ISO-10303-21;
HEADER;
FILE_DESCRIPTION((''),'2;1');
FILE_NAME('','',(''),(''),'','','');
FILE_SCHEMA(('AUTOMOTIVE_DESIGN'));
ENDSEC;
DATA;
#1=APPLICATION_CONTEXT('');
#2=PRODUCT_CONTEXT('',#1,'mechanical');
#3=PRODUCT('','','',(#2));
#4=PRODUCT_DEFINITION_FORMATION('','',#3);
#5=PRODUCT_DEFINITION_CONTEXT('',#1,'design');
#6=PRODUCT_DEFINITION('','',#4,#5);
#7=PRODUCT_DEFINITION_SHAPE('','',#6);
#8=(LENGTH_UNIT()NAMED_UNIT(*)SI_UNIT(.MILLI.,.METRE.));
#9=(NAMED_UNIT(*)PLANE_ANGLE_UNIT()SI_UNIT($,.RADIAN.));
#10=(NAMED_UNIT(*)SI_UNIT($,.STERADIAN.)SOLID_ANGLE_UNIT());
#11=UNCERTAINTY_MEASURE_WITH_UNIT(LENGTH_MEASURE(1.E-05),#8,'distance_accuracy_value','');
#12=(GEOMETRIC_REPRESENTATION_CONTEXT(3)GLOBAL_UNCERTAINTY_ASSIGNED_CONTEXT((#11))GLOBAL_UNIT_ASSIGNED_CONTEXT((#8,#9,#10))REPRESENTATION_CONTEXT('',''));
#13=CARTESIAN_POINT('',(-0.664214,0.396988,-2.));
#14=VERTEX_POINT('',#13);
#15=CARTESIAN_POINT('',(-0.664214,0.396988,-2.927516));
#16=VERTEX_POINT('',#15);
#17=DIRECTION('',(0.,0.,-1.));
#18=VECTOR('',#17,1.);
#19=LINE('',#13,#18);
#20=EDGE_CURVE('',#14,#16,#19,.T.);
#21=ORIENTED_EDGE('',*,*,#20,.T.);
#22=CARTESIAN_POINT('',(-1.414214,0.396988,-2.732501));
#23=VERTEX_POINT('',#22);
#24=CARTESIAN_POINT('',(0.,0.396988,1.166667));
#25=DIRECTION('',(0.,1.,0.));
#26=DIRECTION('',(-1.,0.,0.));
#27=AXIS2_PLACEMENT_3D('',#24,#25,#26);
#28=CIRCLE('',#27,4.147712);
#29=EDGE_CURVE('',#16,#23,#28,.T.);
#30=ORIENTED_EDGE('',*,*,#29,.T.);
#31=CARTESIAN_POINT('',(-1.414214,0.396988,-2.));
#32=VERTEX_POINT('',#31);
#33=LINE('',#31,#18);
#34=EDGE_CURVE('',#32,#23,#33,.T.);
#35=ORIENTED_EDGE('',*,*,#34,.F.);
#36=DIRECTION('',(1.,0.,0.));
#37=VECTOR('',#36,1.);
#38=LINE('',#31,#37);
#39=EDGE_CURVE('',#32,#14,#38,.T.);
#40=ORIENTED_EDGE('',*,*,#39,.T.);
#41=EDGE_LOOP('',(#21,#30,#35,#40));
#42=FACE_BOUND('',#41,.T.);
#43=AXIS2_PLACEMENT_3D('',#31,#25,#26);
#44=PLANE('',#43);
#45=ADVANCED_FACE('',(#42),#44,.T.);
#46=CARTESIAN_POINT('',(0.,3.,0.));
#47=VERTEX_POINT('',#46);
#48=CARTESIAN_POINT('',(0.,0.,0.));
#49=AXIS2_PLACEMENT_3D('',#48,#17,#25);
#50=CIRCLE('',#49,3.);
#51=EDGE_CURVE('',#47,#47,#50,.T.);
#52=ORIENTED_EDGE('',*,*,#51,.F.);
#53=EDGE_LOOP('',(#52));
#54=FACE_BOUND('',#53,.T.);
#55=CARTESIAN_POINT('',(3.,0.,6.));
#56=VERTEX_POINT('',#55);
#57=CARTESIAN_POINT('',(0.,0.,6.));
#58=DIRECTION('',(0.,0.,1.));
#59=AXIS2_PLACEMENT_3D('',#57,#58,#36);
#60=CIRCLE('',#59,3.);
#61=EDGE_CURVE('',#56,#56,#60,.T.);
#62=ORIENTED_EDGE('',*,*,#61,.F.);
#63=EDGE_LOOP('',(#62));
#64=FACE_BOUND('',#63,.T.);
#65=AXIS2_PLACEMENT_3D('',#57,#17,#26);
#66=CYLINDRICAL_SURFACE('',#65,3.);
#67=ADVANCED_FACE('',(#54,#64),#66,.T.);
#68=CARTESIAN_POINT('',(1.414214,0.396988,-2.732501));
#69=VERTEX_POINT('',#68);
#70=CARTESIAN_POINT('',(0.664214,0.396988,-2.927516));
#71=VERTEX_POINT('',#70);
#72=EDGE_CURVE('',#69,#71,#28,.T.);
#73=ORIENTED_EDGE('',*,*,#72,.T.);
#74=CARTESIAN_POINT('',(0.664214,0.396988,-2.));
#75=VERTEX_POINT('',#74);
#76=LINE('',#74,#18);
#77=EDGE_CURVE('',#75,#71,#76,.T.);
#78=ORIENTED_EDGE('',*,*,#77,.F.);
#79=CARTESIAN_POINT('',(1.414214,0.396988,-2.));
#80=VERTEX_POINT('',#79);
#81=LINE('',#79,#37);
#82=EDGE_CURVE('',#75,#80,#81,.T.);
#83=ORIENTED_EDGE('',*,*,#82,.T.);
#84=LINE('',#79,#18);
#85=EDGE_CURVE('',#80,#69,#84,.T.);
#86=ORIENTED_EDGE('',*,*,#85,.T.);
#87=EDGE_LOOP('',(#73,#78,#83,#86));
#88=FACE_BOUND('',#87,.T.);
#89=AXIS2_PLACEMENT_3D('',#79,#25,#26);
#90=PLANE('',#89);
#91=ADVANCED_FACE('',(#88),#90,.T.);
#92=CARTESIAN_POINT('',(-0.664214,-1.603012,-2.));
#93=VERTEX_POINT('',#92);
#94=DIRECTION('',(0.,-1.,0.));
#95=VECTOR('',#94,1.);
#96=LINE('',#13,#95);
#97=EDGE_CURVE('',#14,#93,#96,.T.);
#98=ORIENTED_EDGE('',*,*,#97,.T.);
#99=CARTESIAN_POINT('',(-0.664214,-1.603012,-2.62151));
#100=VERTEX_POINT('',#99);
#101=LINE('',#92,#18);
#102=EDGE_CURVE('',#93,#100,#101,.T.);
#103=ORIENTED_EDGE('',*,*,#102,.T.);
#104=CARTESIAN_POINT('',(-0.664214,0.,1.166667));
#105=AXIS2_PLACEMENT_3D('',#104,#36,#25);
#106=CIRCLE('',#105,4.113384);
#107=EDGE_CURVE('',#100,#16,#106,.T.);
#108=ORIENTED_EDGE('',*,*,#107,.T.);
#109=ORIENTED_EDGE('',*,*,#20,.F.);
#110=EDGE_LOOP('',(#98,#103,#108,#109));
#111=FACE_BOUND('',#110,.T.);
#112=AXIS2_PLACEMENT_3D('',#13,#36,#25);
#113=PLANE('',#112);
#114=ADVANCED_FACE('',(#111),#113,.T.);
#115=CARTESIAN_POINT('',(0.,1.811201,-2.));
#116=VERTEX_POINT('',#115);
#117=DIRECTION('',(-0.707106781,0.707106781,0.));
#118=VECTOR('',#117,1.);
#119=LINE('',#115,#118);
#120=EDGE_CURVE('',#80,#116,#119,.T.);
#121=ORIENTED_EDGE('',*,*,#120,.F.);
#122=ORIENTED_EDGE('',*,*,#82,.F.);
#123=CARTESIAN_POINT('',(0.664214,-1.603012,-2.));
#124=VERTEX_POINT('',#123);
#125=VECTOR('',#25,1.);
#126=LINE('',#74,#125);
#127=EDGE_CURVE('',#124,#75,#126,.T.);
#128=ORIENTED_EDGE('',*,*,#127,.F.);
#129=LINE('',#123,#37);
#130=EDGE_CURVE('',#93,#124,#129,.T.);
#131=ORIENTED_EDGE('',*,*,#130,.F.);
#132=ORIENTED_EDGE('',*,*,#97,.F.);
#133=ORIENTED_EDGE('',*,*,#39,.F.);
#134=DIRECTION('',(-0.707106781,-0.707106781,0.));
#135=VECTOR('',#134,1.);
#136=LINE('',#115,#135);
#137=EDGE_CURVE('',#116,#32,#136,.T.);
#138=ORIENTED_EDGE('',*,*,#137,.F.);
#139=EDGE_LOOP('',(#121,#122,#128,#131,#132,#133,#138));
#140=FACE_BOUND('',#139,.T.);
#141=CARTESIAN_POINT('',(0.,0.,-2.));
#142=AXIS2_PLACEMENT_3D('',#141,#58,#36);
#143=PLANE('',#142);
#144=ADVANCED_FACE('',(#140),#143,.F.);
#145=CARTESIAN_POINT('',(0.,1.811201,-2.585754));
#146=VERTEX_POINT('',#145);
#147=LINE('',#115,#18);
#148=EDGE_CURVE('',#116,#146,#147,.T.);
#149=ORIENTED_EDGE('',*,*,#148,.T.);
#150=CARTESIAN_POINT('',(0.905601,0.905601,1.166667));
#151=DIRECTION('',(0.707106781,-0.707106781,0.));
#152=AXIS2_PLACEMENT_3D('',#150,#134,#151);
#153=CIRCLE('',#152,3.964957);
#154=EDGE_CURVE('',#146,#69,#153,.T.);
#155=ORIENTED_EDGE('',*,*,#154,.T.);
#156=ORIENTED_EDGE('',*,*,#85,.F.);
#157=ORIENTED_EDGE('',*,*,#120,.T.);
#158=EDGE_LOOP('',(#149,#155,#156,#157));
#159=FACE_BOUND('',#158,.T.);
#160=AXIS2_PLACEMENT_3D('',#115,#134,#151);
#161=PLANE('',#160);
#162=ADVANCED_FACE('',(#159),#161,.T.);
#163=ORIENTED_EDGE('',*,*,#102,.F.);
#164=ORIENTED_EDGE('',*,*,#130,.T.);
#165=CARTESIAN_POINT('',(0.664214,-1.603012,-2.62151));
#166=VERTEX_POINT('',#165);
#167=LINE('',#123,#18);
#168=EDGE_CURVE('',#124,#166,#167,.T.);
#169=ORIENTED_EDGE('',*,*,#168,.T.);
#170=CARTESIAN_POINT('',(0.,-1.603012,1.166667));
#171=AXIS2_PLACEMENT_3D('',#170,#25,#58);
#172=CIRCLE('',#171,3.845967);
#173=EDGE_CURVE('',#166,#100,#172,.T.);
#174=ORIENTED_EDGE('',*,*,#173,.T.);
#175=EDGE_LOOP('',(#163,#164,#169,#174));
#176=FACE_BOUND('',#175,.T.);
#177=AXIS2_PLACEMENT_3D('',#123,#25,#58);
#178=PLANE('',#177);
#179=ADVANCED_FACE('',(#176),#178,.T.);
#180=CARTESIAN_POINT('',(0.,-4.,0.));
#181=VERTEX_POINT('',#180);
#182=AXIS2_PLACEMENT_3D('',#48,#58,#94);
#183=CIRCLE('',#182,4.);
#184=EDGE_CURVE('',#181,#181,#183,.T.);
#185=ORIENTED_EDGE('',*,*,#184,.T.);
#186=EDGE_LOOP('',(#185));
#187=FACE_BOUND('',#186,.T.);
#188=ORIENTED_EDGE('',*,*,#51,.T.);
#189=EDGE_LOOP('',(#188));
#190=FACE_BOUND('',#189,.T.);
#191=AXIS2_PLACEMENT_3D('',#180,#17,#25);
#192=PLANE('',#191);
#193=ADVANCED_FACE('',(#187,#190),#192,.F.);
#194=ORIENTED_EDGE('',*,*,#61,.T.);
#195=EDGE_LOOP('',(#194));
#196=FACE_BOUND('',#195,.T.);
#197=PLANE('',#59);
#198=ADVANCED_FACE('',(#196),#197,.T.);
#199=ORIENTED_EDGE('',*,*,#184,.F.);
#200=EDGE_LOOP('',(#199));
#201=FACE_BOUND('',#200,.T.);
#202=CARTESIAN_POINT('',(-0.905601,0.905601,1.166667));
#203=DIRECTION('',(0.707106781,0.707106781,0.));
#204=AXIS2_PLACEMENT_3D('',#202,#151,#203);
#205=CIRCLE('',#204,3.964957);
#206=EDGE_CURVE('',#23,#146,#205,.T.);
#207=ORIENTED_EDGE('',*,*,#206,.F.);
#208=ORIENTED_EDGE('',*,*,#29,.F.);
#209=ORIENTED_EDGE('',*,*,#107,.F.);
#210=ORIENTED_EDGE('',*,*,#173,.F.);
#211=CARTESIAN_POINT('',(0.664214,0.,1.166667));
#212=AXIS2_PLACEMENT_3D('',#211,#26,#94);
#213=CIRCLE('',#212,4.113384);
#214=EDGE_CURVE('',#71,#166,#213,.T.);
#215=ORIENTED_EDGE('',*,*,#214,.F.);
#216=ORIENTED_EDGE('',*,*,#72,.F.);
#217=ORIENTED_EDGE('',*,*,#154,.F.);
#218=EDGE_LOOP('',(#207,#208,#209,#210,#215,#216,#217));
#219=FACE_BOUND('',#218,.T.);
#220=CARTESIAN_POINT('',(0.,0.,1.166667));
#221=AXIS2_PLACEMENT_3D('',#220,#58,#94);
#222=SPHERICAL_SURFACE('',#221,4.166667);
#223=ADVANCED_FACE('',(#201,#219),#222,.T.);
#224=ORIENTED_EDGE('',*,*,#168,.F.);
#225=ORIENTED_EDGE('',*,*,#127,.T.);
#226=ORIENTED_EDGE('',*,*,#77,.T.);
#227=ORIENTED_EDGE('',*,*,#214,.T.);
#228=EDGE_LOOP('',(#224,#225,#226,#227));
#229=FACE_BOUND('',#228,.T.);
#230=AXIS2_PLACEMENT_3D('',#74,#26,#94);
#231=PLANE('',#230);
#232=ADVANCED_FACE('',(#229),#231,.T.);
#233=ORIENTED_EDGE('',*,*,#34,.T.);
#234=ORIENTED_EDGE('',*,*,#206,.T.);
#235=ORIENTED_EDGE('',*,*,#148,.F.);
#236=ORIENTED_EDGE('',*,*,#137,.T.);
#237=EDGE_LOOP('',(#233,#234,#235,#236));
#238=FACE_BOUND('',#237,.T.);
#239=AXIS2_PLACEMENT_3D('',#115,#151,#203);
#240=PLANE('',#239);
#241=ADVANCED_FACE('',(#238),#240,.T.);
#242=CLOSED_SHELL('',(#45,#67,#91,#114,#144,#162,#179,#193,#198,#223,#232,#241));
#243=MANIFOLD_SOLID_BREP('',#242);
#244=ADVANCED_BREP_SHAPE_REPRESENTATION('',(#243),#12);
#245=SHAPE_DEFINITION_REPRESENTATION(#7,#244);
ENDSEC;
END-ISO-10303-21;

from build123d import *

# Parameters (mm, degrees)
SKETCH1_R           = 3
BOSS_EXTRUDE1_DEPTH = 6
CUT_EXTRUDE1_DEPTH  = 1


with BuildPart() as part:
    # Sketch1 → Boss-Extrude1 (new body)
    with BuildSketch(Plane.XY):
        Circle(SKETCH1_R)
    extrude(amount=BOSS_EXTRUDE1_DEPTH)

    # Sketch4 → Revolve1 (revolve)
    with BuildSketch(Plane.ZY, mode=Mode.PRIVATE) as revolve1_sk:
        with BuildLine():
            Line((0, -4), (0, 0))
            Line((0, 0), (-3, 0))
            ThreePointArc((-3, 0), (-2.166666667, -2.5), (0, -4))
        make_face()
    revolve(revolve1_sk.sketch.rotate(Axis((0, 0, 0), (0, 0, -1)), 180), axis=Axis((0, 0, 0), (0, 0, -1)))

    # Sketch5 → Cut-Extrude1 (cut)
    with BuildSketch(Plane.XY.offset(-3)):
        Polygon((0, 1.811201152), (1.414213562, 0.396987589), (0.664213562, 0.396987589), (0.664213562, -1.603012411), (-0.664213562, -1.603012411), (-0.664213562, 0.396987589), (-1.414213562, 0.396987589), align=None)
    extrude(amount=CUT_EXTRUDE1_DEPTH, mode=Mode.SUBTRACT)


solid = part.part
